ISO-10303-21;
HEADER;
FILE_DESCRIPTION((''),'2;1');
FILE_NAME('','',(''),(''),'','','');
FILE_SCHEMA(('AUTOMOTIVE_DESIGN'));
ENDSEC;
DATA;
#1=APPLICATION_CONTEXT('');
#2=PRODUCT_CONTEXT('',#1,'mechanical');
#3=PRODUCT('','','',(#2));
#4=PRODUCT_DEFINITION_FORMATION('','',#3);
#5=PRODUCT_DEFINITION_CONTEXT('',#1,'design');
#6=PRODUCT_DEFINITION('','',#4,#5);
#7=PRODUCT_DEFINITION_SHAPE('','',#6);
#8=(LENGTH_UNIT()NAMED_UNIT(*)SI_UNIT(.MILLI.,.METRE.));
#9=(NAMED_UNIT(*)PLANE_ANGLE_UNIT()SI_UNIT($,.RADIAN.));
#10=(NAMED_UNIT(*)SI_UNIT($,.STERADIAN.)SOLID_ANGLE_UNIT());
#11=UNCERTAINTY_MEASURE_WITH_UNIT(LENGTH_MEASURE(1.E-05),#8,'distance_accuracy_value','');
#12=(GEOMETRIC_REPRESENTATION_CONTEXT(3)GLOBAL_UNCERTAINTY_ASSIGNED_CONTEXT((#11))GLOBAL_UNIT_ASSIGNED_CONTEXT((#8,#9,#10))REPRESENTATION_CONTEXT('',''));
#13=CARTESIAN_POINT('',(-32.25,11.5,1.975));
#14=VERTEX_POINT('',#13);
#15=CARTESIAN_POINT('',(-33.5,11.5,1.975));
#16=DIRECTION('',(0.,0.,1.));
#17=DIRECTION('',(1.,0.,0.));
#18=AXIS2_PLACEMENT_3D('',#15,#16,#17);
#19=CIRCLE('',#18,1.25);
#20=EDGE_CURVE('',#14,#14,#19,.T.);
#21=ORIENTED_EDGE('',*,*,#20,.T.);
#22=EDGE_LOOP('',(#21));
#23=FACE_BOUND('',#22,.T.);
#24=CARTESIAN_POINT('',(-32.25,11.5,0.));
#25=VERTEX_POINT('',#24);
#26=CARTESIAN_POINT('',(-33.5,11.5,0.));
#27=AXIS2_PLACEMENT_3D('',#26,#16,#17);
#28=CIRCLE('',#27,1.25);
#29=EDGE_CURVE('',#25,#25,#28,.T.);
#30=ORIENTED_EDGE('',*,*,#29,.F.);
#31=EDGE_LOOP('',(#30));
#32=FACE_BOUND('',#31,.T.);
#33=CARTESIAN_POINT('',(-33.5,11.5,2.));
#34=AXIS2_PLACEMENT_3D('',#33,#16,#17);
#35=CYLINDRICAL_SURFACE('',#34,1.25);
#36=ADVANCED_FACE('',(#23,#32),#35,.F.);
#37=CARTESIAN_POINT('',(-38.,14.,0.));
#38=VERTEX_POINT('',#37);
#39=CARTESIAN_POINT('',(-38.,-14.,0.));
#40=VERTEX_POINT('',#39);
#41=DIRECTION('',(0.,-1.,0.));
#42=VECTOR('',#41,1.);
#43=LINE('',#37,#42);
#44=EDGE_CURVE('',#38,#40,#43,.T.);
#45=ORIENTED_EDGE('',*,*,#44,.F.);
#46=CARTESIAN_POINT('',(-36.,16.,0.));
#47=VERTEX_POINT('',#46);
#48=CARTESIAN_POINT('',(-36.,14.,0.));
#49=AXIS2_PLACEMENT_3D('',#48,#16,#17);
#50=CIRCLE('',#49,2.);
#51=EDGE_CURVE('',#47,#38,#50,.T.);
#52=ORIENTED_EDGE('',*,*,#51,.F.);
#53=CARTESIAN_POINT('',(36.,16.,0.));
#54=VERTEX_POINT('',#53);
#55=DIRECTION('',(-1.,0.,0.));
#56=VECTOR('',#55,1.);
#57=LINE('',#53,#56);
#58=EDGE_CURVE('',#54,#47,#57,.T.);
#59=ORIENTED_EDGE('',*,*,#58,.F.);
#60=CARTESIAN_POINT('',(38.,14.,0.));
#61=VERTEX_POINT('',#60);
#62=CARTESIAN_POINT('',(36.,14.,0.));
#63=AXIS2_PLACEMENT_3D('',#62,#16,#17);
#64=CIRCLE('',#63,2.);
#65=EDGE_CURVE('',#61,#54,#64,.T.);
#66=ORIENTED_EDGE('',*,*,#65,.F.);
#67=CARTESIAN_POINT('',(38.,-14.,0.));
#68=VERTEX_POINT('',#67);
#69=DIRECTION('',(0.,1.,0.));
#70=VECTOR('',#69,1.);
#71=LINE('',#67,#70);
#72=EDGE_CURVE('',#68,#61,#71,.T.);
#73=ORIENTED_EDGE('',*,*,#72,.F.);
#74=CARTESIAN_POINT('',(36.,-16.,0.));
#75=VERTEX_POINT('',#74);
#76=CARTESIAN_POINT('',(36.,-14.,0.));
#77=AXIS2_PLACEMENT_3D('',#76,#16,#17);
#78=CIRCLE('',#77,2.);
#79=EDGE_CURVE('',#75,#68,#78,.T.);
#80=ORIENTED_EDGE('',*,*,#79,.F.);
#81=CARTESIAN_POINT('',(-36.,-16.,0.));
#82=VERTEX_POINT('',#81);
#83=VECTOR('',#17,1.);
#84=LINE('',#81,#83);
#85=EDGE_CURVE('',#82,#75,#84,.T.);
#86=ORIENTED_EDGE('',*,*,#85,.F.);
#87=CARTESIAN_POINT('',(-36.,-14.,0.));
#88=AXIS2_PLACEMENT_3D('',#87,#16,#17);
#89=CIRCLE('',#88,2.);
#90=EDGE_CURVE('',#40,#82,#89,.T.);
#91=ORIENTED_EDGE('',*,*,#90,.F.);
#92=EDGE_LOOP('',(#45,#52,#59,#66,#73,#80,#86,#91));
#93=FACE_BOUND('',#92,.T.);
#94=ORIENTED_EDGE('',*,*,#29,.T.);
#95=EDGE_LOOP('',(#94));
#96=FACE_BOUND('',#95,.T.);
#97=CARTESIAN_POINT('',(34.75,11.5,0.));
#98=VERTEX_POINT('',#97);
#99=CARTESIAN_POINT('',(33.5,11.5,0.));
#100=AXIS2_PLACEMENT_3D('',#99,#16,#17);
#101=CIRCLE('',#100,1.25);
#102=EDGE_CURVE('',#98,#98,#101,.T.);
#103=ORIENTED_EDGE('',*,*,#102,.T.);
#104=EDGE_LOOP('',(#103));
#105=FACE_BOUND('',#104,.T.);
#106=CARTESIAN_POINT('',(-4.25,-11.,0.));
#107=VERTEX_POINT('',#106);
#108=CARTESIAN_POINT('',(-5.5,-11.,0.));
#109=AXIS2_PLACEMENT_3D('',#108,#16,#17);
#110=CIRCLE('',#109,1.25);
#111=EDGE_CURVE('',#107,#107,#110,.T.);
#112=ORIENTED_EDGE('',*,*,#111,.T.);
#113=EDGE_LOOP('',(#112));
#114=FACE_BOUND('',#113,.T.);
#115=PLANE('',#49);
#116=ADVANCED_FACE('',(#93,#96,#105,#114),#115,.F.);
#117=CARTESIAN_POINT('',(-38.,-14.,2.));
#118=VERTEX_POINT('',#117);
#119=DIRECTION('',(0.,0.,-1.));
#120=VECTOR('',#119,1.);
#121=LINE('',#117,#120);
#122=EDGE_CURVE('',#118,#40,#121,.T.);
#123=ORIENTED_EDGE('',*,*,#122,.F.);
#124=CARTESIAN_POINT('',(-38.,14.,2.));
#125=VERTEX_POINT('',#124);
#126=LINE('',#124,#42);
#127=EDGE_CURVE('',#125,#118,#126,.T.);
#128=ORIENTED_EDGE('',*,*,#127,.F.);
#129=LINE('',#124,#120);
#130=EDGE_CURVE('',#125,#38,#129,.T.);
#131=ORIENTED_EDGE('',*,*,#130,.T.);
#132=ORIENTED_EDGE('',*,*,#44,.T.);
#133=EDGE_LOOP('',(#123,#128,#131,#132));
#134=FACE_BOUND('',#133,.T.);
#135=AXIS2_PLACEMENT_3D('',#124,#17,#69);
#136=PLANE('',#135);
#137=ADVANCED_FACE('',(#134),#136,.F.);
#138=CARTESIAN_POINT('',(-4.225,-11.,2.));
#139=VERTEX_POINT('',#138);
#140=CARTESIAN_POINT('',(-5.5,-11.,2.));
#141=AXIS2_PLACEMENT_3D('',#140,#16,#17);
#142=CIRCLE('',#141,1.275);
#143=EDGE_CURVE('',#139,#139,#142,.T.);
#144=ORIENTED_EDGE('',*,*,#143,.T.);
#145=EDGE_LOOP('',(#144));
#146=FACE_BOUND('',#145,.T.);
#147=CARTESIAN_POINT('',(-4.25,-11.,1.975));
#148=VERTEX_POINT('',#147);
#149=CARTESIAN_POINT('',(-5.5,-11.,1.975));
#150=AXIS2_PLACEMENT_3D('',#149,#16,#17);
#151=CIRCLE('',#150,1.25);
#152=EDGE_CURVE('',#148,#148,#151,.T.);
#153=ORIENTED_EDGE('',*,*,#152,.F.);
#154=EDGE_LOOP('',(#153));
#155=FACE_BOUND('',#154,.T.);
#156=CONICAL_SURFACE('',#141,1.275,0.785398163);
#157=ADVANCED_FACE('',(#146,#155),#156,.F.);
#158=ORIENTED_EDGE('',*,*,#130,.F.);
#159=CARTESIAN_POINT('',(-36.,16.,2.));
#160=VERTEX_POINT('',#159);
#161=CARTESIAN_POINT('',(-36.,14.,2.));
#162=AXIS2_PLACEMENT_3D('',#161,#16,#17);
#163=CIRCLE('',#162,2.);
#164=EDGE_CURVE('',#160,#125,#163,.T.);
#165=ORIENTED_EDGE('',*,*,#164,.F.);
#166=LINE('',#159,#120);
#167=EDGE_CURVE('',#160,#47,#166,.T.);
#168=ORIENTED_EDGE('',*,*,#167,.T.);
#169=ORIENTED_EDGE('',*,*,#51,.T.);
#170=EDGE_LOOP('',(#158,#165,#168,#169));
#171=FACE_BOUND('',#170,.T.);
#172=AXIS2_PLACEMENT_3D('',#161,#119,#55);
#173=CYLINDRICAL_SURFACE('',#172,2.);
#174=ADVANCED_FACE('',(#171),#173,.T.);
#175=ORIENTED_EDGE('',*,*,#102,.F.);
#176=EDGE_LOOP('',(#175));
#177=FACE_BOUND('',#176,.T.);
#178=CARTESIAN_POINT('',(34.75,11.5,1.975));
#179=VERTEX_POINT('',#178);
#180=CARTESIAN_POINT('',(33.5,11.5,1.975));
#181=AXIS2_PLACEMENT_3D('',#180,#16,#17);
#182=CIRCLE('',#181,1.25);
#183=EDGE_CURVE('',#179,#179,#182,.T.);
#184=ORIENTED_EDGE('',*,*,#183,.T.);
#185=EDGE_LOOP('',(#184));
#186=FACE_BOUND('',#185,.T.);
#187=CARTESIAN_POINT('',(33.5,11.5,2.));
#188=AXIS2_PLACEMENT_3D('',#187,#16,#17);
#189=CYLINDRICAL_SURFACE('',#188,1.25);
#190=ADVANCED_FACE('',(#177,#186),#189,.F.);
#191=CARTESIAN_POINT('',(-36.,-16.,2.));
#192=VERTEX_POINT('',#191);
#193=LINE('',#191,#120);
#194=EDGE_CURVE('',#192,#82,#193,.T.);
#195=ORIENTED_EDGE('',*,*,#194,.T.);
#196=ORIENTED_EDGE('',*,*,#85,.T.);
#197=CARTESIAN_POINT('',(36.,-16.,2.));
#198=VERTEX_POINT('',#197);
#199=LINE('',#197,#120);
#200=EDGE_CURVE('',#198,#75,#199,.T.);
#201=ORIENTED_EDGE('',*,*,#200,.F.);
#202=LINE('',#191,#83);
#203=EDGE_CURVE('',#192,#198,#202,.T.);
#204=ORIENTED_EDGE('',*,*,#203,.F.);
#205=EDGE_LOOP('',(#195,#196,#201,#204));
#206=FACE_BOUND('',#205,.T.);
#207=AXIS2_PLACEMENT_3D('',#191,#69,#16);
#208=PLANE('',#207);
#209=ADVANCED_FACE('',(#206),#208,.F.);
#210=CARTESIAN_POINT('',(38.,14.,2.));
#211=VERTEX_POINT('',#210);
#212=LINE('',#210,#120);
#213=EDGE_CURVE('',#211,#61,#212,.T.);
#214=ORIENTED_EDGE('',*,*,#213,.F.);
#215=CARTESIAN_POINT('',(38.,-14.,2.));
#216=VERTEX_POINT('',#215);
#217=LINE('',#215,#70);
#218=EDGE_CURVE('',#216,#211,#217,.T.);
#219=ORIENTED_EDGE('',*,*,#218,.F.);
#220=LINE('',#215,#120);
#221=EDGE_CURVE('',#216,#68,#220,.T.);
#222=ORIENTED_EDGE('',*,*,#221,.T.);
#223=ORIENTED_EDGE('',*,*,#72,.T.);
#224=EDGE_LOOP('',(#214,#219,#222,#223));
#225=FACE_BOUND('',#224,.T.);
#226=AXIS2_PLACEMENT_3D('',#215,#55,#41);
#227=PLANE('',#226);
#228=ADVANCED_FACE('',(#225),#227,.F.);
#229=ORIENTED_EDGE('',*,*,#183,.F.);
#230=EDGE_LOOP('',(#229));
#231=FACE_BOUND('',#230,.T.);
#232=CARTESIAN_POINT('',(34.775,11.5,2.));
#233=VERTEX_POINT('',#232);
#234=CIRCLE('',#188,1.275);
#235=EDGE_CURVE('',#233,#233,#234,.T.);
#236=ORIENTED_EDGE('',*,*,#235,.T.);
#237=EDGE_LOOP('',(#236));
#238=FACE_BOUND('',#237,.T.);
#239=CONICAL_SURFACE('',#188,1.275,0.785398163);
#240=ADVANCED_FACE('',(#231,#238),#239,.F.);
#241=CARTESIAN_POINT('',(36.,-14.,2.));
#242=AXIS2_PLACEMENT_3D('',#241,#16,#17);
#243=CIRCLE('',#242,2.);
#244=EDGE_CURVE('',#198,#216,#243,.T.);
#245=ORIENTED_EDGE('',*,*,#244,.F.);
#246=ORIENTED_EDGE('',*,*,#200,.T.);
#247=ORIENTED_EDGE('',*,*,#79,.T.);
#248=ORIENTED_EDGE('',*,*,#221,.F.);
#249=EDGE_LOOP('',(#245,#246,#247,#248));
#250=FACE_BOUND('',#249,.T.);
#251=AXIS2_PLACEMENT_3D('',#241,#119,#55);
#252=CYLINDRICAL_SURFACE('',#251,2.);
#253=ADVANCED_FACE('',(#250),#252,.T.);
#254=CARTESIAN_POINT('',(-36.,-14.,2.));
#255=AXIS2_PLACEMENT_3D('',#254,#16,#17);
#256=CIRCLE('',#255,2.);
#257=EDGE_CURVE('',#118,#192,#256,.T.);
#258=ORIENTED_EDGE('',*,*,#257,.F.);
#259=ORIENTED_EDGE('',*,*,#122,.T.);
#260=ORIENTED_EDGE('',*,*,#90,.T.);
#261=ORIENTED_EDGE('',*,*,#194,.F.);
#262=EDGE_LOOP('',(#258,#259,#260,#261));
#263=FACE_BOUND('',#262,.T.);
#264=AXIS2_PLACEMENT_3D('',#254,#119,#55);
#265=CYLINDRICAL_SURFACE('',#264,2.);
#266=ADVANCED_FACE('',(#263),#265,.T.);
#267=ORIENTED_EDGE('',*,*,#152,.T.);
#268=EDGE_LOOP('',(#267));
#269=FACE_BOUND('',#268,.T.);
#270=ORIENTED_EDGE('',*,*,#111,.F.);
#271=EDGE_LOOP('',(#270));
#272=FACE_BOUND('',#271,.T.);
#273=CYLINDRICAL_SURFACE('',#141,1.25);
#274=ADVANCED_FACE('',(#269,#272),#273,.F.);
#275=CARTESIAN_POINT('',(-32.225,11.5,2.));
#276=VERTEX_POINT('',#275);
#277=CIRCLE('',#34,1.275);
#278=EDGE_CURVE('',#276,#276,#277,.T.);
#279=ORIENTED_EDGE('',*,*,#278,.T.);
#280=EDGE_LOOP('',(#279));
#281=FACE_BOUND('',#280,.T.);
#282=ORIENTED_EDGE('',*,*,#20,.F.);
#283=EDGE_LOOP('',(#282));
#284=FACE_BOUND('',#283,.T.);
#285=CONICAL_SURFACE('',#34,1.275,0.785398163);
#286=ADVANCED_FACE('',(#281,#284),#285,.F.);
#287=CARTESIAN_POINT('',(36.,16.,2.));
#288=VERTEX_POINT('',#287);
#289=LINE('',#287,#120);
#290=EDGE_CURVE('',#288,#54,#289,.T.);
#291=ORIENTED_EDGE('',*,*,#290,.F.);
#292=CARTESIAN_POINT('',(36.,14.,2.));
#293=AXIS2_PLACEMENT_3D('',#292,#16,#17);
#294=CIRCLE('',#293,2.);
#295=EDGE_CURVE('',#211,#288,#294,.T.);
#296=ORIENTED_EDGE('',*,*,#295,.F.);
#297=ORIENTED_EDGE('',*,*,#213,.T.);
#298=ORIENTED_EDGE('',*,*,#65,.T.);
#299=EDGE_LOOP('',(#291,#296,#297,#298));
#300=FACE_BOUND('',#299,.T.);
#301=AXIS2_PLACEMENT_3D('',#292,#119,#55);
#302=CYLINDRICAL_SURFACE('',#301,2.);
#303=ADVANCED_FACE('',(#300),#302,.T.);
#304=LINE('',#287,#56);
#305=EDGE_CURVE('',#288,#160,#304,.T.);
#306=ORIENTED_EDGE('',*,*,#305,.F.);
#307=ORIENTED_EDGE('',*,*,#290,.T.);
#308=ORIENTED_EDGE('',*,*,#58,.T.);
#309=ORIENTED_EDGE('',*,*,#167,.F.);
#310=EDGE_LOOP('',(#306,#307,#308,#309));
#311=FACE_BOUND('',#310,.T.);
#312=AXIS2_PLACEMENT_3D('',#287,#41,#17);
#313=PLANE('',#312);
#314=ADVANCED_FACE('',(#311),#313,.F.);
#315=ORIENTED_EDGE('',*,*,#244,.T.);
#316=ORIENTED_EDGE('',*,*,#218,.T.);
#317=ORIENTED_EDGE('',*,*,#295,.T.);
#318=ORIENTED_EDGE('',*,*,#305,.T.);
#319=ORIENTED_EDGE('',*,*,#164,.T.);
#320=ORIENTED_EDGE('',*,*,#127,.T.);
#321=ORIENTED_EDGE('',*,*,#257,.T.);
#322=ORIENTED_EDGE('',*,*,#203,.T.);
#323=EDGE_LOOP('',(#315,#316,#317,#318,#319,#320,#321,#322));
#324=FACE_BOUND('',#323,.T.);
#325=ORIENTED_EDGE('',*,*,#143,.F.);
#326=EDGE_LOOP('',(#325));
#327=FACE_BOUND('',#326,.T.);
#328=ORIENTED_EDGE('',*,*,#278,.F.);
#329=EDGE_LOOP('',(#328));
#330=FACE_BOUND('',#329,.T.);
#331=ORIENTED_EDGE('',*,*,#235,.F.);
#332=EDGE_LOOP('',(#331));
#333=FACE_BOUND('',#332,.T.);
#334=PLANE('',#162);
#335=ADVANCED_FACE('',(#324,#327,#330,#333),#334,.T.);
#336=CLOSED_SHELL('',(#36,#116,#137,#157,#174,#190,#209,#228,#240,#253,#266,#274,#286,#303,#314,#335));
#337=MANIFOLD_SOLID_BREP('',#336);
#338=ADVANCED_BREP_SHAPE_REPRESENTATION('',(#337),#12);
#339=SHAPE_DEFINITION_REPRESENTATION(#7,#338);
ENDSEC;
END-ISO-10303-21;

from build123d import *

# Parameters (mm, degrees)
BOSS_EXTRUDE1_DEPTH               = 2
TAP_DRILL_FOR_M3_TAP1_D           = 2.5
TAP_DRILL_FOR_M3_TAP1_CSINK_D     = 2.55
TAP_DRILL_FOR_M3_TAP1_CSINK_ANGLE = 90


with BuildPart() as part:
    # Model → Boss-Extrude1 (new body)
    with BuildSketch(Plane.XY):
        with BuildLine():
            Line((-38, 14), (-38, -14))
            ThreePointArc((-38, -14), (-37.414213562, -15.414213562), (-36, -16))
            Line((-36, -16), (36, -16))
            ThreePointArc((36, -16), (37.414213562, -15.414213562), (38, -14))
            Line((38, -14), (38, 14))
            ThreePointArc((38, 14), (37.414213562, 15.414213562), (36, 16))
            Line((36, 16), (-36, 16))
            ThreePointArc((-36, 16), (-37.414213562, 15.414213562), (-38, 14))
        make_face()
    extrude(amount=BOSS_EXTRUDE1_DEPTH)

    # Tap Drill for M3 Tap1 (through all)
    with Locations(Plane.XY.offset(2)):
        with Locations((-33.5, 11.5), (-5.5, -11), (33.5, 11.5)):
            CounterSinkHole(TAP_DRILL_FOR_M3_TAP1_D / 2, TAP_DRILL_FOR_M3_TAP1_CSINK_D / 2, counter_sink_angle=TAP_DRILL_FOR_M3_TAP1_CSINK_ANGLE)


solid = part.part
